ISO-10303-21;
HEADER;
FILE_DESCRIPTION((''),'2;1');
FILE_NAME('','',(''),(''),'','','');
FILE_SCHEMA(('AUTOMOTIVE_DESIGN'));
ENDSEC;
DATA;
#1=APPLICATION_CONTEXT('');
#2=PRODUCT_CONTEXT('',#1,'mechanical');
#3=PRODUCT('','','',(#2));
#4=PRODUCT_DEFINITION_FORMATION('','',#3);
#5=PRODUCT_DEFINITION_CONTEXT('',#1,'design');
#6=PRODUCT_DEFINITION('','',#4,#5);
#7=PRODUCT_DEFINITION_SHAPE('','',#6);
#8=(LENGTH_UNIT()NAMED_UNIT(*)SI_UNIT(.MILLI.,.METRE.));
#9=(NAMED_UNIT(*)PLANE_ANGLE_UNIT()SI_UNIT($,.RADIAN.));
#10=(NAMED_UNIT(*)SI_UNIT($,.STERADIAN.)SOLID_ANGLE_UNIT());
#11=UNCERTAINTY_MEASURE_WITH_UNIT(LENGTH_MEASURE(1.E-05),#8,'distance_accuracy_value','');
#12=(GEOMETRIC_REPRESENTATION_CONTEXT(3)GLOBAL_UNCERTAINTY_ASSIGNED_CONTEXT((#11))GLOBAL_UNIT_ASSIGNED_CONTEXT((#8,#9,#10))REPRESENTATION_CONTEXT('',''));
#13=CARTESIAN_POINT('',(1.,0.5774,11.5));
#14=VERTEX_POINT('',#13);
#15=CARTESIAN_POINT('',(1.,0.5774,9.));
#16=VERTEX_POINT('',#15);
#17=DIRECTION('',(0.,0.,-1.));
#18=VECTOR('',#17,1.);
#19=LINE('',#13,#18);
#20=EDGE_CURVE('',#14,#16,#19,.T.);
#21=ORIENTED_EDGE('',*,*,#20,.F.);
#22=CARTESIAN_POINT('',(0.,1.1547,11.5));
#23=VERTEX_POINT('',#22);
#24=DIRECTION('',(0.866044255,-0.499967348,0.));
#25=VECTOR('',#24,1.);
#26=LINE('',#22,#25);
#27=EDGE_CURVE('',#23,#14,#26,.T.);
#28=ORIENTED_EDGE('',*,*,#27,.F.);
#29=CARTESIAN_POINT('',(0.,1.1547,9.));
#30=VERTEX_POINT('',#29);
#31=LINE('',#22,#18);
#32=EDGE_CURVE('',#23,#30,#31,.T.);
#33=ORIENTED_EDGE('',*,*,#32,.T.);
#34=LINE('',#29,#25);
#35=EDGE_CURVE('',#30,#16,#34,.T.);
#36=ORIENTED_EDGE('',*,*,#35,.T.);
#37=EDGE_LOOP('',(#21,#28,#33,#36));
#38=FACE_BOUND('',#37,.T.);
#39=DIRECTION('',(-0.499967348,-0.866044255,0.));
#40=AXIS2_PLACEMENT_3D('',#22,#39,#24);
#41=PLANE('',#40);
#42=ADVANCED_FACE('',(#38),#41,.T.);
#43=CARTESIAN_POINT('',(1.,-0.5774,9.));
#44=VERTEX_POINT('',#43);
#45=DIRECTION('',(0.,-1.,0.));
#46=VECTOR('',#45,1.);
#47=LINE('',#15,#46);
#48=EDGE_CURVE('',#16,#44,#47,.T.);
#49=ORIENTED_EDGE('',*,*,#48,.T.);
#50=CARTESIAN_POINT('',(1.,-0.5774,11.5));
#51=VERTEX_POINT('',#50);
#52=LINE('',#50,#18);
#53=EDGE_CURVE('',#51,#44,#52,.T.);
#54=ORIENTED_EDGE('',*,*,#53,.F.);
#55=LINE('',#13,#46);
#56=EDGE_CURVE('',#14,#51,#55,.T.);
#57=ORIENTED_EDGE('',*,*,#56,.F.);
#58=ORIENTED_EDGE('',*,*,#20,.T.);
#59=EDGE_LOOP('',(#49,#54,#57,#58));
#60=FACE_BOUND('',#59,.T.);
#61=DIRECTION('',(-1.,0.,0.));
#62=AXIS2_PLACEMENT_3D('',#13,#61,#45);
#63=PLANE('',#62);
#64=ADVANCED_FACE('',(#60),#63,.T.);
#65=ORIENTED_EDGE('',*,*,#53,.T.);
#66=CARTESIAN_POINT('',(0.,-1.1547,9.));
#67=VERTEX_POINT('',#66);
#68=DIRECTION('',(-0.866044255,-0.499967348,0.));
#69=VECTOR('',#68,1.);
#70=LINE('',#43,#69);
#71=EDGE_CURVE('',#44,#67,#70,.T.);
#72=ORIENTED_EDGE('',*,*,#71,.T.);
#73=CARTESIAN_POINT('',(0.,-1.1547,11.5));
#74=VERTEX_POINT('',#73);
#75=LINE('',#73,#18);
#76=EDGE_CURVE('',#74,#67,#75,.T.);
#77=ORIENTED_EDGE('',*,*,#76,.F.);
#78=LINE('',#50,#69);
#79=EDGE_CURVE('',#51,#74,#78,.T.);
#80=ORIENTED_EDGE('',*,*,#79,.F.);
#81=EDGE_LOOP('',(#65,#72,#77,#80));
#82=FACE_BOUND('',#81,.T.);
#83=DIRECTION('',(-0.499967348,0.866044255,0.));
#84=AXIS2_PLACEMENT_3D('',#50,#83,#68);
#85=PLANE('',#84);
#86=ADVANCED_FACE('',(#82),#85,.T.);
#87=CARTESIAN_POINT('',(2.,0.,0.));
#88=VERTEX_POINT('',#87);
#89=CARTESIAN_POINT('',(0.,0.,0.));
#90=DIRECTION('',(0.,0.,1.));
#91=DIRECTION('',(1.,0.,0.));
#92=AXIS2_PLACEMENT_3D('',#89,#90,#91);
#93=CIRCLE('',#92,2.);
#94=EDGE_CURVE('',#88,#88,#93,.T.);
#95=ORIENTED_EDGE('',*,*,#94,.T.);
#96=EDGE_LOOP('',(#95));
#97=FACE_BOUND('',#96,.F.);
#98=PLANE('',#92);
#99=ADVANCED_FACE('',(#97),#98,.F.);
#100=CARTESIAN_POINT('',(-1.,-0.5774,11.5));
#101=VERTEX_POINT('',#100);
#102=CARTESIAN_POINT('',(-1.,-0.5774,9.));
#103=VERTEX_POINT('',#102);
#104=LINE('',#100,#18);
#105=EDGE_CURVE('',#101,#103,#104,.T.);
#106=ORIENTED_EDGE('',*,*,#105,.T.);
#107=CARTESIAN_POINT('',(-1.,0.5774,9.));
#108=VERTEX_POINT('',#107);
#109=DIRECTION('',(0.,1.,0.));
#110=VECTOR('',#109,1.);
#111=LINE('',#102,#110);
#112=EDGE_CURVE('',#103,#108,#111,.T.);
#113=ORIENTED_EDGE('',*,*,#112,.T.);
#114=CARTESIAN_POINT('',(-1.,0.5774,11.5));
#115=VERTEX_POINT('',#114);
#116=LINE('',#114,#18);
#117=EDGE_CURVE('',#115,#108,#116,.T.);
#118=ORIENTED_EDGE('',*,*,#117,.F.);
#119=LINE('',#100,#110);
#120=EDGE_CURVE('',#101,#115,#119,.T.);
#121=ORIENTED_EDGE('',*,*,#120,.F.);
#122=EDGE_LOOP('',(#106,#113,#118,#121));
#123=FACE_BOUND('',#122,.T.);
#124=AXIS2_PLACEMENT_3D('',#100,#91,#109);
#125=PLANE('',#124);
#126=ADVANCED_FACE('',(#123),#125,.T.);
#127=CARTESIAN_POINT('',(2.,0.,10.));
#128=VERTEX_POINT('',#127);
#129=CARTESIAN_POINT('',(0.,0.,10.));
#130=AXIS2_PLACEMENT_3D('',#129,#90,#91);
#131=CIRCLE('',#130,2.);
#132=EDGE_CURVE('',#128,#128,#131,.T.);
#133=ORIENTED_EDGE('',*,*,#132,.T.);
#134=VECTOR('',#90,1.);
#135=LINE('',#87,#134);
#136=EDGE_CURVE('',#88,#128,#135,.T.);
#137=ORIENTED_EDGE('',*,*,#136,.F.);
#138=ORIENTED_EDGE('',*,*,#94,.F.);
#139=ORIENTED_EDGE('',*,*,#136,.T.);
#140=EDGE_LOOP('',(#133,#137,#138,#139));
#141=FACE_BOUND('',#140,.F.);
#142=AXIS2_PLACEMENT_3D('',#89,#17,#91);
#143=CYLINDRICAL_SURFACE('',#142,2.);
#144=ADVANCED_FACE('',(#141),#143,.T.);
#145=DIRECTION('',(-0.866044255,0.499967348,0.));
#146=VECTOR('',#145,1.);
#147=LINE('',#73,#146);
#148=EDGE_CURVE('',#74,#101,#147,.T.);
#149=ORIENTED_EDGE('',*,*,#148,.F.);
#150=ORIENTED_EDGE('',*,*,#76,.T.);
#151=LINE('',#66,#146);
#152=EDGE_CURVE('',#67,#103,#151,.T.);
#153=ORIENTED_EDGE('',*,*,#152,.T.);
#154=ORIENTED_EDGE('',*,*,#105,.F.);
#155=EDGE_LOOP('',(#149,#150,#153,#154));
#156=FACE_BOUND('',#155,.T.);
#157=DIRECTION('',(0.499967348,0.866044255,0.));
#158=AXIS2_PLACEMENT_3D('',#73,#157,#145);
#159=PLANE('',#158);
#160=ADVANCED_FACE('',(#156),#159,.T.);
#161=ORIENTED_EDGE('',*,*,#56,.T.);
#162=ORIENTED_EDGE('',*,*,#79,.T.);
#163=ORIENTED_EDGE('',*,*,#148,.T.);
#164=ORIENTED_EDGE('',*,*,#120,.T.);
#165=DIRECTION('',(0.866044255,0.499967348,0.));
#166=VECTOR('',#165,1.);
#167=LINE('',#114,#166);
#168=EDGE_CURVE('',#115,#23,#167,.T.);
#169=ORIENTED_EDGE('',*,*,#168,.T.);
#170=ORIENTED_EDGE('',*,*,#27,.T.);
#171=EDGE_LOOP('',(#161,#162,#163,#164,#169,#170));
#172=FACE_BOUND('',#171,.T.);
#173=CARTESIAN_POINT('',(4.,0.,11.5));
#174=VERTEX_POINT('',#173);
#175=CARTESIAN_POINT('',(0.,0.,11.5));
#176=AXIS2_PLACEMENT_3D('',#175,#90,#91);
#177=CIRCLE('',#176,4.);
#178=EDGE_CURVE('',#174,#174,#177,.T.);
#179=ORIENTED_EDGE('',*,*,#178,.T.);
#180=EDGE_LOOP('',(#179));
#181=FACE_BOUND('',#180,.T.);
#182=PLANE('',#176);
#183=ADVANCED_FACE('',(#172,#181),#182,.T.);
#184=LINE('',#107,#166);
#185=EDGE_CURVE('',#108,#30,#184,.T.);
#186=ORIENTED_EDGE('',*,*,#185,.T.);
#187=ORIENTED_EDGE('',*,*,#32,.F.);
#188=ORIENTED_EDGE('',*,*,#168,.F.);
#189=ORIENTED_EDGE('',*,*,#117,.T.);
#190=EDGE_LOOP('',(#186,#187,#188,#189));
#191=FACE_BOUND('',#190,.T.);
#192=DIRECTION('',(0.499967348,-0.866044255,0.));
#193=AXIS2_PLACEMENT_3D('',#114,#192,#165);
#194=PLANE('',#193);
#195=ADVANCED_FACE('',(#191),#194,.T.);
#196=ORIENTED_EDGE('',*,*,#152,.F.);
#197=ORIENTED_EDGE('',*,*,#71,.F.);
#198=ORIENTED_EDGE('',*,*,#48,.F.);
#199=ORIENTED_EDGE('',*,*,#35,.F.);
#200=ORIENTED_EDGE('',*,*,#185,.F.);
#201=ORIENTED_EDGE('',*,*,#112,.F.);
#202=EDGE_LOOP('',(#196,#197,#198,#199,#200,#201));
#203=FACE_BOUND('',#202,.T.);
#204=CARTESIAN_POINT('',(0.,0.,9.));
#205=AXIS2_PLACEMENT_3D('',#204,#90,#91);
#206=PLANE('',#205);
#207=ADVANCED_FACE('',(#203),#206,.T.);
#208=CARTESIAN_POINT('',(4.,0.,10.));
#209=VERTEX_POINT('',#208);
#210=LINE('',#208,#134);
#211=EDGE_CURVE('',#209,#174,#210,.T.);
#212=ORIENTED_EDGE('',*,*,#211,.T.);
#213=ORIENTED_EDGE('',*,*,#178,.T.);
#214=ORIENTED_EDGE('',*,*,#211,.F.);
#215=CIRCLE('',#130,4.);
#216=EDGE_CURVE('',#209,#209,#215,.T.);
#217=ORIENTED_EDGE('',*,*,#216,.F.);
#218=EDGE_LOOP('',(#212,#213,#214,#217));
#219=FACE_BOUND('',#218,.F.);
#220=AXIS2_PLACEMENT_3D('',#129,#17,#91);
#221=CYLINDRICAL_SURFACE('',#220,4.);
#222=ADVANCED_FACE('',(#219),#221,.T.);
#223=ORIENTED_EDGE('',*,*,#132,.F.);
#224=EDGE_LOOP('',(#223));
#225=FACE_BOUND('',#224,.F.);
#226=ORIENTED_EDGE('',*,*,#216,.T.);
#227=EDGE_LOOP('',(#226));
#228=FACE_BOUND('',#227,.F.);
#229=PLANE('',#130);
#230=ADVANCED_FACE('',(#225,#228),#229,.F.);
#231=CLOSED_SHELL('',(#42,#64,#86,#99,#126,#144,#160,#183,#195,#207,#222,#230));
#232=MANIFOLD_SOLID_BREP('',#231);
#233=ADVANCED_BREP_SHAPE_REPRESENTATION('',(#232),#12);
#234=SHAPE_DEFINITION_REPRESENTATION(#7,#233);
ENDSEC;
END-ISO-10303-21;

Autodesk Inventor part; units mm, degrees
ref_plane "YZ Plane" through (0, 0, 0) normal (1, 0, 0) x (0, 1, 0)
ref_plane "XZ Plane" through (0, 0, 0) normal (0, 1, 0) x (-1, 0, 0)
ref_plane "XY Plane" through (0, 0, 0) normal (0, 0, 1) x (1, 0, 0)
sketch "スケッチ1" plane through (0, 0, 0) normal (0, 0, 1) x (1, 0, 0)
  circle A0 centre (0, 0) radius 2
  dimension "d0" = 4
extrude "押し出し1" add sketch "スケッチ1" along normal blind 10
thread "ねじ1" size "M4x0.7" class "6g" standard "ANSI Metric M Profile" full length
sketch "スケッチ2" plane through (0, 0, 10) normal (0, 0, 1) x (1, 0, 0)
  circle A0 centre (0, 0) radius 4
  dimension "d5" = 8
extrude "押し出し2" add sketch "スケッチ2" along normal blind 1.5
sketch "スケッチ3" plane through (0, 0, 11.5) normal (0, 0, 1) x (1, 0, 0)
  line L0 (0, 1.1547) -> (1, 0.5774)
  line L1 (1, 0.5774) -> (1, -0.5774)
  line L2 (1, -0.5774) -> (0, -1.1547)
  line L3 (0, -1.1547) -> (-1, -0.5774)
  line L4 (-1, -0.5774) -> (-1, 0.5774)
  line L5 (-1, 0.5774) -> (0, 1.1547)
  point P0 (0, 0)
  point P1 (0, 0)
  dimension "d8" = 2
extrude "押し出し3" cut sketch "スケッチ3" against normal blind 2.5
properties part number "M4極低頭ネジ　10" material "鋼、高強度、低合金"
